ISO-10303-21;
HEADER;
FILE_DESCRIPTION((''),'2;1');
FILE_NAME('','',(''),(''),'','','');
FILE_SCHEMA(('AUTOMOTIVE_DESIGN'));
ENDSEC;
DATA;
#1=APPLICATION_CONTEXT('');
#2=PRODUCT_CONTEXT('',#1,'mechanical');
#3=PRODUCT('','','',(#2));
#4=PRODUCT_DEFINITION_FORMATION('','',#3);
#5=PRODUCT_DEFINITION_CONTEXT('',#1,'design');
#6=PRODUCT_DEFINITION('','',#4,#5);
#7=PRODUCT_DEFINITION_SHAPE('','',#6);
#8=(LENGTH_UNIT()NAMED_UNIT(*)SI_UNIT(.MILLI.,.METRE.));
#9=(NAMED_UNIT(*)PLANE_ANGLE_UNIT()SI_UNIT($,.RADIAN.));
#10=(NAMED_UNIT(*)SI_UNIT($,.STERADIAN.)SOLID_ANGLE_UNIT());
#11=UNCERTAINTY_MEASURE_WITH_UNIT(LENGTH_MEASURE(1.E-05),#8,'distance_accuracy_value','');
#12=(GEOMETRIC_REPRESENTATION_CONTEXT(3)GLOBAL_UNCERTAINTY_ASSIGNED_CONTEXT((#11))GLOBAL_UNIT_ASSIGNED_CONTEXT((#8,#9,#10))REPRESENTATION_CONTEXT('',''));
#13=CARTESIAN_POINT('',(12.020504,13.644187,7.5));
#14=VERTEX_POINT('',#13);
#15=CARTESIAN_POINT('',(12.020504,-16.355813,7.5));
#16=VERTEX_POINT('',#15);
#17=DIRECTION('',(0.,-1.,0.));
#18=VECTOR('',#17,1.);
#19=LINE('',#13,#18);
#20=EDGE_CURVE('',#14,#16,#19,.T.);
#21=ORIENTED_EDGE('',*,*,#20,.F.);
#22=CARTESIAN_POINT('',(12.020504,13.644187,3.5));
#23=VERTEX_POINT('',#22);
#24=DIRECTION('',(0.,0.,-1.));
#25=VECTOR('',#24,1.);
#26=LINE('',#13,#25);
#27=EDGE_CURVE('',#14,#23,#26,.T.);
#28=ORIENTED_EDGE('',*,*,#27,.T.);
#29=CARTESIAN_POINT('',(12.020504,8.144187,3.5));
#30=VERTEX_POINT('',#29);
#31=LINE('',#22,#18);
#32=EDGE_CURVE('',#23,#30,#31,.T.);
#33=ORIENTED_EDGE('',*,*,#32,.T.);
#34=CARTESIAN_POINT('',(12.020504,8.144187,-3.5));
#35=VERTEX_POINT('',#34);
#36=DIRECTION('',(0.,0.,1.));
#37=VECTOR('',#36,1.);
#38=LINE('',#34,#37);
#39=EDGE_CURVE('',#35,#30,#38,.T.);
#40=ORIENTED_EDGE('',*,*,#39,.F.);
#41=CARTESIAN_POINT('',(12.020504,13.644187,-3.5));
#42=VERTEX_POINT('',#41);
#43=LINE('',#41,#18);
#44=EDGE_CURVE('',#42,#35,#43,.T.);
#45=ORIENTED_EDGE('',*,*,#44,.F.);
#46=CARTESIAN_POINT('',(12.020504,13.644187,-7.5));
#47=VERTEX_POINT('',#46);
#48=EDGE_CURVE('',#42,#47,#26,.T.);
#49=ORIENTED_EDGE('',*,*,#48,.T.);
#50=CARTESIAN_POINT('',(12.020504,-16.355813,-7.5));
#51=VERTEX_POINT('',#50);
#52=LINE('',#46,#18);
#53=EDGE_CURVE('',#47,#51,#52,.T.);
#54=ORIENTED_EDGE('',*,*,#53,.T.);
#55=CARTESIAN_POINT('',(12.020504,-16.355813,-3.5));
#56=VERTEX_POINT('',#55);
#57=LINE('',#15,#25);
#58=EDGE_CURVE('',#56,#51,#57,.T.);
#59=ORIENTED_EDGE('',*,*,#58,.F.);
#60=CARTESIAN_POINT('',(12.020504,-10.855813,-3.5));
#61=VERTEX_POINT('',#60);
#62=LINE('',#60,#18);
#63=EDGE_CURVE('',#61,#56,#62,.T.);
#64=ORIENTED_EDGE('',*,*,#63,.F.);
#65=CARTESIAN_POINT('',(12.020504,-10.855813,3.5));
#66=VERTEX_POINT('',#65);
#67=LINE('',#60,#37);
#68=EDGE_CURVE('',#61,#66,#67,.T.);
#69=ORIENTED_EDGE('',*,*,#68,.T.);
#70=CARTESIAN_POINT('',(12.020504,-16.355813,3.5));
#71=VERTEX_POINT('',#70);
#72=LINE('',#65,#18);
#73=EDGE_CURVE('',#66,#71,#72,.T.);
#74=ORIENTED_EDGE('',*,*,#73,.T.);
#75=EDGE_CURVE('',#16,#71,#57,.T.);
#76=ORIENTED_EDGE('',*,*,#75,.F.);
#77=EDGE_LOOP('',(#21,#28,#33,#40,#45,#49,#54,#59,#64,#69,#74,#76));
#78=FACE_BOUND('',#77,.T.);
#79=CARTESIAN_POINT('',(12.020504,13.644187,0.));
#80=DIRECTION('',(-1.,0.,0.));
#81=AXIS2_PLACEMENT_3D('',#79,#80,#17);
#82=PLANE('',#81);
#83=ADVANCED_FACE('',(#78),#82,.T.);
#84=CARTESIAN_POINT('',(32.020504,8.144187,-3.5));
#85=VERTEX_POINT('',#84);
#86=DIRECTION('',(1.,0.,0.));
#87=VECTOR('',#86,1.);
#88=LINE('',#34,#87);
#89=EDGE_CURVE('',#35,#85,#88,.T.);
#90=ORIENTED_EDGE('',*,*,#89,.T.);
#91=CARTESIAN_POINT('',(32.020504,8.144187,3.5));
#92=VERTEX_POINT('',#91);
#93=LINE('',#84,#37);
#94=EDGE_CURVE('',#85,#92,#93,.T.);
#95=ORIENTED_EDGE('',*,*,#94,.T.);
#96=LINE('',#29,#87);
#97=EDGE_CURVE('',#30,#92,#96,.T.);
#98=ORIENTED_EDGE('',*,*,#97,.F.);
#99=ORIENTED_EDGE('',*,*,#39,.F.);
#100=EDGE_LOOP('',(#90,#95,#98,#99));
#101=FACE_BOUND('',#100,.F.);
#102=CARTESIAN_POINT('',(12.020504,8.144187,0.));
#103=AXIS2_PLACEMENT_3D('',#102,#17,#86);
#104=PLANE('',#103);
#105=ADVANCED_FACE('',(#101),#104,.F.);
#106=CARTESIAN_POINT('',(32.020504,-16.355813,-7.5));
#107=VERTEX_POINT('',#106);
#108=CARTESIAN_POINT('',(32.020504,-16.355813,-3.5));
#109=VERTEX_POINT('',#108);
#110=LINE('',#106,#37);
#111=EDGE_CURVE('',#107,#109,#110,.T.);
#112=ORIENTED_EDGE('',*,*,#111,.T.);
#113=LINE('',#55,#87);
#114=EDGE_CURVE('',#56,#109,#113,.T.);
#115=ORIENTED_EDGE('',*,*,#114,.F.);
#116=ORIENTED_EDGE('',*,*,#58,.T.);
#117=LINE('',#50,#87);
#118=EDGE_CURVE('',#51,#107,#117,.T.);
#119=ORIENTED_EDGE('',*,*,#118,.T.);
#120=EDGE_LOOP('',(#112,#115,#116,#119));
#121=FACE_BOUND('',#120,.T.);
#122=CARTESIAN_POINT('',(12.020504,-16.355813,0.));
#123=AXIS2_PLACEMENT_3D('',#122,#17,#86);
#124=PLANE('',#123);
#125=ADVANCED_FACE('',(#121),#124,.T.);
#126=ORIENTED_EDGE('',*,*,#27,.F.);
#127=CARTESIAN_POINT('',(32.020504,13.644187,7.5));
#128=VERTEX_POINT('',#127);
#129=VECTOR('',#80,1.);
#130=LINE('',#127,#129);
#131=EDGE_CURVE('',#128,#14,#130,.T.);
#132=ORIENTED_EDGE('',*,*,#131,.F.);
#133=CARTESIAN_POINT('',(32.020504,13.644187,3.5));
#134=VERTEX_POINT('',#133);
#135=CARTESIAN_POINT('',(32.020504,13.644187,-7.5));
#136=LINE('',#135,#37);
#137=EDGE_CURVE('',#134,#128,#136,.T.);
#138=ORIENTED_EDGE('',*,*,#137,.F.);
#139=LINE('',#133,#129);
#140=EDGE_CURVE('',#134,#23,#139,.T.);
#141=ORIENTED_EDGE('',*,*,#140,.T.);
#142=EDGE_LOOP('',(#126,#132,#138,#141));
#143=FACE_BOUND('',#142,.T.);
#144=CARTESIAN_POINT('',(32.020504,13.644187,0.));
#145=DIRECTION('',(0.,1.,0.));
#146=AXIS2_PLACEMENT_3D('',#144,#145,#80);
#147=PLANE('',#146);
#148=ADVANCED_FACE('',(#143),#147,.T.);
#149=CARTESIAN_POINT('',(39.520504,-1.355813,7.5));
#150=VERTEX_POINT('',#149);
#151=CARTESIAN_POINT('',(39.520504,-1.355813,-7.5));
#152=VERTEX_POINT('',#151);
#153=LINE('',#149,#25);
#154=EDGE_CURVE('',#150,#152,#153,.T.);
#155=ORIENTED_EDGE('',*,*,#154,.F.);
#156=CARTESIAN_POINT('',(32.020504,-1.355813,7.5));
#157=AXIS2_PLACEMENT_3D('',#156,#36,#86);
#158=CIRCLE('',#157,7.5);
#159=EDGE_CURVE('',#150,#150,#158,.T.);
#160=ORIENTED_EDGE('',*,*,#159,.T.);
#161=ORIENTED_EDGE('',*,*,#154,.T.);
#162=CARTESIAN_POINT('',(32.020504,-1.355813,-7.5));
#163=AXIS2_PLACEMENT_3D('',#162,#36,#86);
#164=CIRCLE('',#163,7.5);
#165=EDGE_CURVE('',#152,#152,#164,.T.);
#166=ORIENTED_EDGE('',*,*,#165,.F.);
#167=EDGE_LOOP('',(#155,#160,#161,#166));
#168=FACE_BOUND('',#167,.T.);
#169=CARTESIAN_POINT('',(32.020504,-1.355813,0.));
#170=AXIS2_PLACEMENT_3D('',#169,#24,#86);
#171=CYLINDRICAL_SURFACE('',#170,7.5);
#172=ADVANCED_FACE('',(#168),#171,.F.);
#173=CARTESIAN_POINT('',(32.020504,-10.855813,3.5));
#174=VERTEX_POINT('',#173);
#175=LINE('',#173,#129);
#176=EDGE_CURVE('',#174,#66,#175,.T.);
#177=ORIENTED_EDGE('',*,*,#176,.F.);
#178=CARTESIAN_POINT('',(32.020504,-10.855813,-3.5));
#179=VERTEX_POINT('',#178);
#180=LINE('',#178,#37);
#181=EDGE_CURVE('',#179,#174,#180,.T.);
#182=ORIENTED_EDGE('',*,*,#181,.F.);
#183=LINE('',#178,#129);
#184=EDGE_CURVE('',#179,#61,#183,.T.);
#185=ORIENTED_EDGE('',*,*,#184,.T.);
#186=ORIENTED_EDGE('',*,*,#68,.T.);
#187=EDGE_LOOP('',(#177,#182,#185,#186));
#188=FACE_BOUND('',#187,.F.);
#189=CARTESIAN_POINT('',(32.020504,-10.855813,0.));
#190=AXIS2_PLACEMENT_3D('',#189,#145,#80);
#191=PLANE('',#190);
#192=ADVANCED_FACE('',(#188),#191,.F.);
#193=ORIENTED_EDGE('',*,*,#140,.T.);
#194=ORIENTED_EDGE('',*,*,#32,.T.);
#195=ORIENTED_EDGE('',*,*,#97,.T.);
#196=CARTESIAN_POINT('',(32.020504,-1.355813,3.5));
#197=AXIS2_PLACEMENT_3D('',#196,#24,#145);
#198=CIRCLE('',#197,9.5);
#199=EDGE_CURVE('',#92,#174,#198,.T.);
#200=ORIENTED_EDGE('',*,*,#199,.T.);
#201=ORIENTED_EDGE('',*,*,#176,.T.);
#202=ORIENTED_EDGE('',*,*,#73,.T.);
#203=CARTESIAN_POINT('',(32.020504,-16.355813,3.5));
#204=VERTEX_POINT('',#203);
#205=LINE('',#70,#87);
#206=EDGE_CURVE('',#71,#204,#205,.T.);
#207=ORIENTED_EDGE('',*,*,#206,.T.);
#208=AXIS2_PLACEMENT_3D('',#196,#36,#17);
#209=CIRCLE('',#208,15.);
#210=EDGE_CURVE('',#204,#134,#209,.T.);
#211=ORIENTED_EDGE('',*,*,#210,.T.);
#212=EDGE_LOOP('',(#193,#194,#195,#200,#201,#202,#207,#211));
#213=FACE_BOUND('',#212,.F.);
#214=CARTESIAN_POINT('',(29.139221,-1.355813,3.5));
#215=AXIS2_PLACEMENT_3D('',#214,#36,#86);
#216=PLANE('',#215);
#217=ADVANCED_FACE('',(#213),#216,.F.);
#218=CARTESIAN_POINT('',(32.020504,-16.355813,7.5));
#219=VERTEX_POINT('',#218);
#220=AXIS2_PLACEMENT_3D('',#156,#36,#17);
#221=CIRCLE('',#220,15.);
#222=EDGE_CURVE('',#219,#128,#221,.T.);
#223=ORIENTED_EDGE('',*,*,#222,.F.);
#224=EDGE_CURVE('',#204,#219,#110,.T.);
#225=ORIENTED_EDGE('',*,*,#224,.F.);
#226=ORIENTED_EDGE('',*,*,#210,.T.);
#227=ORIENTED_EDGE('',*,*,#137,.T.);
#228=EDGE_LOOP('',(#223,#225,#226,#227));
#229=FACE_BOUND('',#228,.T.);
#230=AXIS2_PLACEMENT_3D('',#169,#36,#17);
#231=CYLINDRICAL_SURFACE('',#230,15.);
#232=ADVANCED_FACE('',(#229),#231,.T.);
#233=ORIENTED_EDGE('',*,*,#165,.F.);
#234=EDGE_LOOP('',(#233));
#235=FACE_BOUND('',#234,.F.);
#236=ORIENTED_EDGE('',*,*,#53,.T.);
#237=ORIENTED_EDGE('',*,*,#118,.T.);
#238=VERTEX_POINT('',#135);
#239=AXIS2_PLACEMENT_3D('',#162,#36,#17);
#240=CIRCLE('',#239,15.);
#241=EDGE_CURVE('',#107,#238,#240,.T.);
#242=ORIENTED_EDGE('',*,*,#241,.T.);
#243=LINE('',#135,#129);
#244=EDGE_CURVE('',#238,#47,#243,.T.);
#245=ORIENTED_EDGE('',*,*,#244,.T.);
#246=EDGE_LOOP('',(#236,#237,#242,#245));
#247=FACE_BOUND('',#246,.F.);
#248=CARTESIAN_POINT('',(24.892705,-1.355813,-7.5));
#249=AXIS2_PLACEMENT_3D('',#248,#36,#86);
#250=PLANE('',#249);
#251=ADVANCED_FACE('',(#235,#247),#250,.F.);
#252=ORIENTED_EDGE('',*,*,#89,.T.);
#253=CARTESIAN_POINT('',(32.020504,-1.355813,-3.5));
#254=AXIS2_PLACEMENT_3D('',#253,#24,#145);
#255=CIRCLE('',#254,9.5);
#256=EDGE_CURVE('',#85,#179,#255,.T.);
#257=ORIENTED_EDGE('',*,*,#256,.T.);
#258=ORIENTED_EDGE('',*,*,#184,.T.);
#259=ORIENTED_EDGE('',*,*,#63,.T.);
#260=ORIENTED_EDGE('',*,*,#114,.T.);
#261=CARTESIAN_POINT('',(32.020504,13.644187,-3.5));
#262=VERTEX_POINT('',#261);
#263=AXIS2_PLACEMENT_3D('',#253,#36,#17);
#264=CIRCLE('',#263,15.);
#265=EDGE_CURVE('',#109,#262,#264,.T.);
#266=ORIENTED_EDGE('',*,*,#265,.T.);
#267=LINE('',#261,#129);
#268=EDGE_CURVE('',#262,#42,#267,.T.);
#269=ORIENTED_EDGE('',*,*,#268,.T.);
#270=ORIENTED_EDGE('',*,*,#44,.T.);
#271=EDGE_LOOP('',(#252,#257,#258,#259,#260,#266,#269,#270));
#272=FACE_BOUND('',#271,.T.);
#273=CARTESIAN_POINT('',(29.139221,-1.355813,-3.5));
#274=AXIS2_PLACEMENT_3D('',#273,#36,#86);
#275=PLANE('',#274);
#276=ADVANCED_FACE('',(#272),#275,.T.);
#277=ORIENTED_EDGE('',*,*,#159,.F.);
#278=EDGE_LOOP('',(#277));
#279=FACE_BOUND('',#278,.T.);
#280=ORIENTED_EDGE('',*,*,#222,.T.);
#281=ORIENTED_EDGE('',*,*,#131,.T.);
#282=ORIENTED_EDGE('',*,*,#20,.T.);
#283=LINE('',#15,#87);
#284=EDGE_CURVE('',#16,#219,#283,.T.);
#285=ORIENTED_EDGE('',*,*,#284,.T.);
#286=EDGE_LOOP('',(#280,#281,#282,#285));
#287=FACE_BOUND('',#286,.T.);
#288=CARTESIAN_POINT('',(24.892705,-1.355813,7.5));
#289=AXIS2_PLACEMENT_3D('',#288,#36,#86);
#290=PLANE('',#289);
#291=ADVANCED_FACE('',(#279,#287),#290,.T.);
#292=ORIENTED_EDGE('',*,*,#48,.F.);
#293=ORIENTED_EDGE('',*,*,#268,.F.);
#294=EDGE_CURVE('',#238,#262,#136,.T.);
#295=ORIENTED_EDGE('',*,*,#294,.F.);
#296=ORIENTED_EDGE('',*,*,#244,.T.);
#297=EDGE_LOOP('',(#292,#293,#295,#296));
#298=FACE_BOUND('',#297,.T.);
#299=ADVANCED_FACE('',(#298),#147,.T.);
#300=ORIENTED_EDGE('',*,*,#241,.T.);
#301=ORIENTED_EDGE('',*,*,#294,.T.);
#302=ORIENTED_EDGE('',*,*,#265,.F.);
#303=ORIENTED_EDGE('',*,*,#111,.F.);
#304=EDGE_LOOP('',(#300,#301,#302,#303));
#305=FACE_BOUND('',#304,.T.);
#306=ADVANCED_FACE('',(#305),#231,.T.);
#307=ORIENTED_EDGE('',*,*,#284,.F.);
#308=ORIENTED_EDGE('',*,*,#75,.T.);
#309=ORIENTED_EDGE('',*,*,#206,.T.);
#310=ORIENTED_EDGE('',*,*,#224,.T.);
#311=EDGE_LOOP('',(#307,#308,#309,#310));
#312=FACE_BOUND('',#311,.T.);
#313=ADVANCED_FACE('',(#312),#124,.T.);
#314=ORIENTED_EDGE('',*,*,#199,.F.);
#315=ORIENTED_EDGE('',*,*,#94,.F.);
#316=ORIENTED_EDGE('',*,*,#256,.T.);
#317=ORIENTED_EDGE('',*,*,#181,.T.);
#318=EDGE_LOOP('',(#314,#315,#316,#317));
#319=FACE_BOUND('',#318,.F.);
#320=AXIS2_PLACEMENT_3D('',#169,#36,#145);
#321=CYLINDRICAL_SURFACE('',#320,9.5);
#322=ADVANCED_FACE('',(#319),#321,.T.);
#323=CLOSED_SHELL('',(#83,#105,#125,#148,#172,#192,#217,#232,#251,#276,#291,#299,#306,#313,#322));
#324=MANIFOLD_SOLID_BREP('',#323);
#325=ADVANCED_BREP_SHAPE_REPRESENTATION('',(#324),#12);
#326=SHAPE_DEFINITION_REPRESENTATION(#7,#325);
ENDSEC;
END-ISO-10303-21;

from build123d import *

# Parameters (mm, degrees)
F0_R     = 7.5
F1_DEPTH = 7.5
F2_DEPTH = 3.5


with BuildPart() as f1:
    # F0 (on Top) → F1 (new body, symmetric)
    with BuildSketch(Plane.XY):
        with BuildLine():
            Line((32.020504, 8.144187), (12.020504, 8.144187))
            Line((12.020504, 8.144187), (12.020504, -10.855813))
            Line((12.020504, -10.855813), (32.020504, -10.855813))
            ThreePointArc((32.020504, -10.855813), (41.520504, -1.355813), (32.020504, 8.144187))
        make_face()
        with Locations((32.020504, -1.355813)):
            Circle(F0_R, mode=Mode.SUBTRACT)
        with BuildLine():
            Line((32.020504, 13.644187), (12.020504, 13.644187))
            Line((12.020504, 13.644187), (12.020504, 8.144187))
            Line((12.020504, 8.144187), (32.020504, 8.144187))
            ThreePointArc((32.020504, 8.144187), (41.520504, -1.355813), (32.020504, -10.855813))
            Line((32.020504, -10.855813), (12.020504, -10.855813))
            Line((12.020504, -10.855813), (12.020504, -16.355813))
            Line((12.020504, -16.355813), (32.020504, -16.355813))
            ThreePointArc((32.020504, -16.355813), (47.020504, -1.355813), (32.020504, 13.644187))
        make_face()
    extrude(amount=F1_DEPTH, both=True)

    # F0 (on Top) → F2 (cut, symmetric)
    with BuildSketch(Plane.XY):
        with BuildLine():
            Line((32.020504, 13.644187), (12.020504, 13.644187))
            Line((12.020504, 13.644187), (12.020504, 8.144187))
            Line((12.020504, 8.144187), (32.020504, 8.144187))
            ThreePointArc((32.020504, 8.144187), (41.520504, -1.355813), (32.020504, -10.855813))
            Line((32.020504, -10.855813), (12.020504, -10.855813))
            Line((12.020504, -10.855813), (12.020504, -16.355813))
            Line((12.020504, -16.355813), (32.020504, -16.355813))
            ThreePointArc((32.020504, -16.355813), (47.020504, -1.355813), (32.020504, 13.644187))
        make_face()
    extrude(amount=F2_DEPTH, both=True, mode=Mode.SUBTRACT)


solid = f1.part
